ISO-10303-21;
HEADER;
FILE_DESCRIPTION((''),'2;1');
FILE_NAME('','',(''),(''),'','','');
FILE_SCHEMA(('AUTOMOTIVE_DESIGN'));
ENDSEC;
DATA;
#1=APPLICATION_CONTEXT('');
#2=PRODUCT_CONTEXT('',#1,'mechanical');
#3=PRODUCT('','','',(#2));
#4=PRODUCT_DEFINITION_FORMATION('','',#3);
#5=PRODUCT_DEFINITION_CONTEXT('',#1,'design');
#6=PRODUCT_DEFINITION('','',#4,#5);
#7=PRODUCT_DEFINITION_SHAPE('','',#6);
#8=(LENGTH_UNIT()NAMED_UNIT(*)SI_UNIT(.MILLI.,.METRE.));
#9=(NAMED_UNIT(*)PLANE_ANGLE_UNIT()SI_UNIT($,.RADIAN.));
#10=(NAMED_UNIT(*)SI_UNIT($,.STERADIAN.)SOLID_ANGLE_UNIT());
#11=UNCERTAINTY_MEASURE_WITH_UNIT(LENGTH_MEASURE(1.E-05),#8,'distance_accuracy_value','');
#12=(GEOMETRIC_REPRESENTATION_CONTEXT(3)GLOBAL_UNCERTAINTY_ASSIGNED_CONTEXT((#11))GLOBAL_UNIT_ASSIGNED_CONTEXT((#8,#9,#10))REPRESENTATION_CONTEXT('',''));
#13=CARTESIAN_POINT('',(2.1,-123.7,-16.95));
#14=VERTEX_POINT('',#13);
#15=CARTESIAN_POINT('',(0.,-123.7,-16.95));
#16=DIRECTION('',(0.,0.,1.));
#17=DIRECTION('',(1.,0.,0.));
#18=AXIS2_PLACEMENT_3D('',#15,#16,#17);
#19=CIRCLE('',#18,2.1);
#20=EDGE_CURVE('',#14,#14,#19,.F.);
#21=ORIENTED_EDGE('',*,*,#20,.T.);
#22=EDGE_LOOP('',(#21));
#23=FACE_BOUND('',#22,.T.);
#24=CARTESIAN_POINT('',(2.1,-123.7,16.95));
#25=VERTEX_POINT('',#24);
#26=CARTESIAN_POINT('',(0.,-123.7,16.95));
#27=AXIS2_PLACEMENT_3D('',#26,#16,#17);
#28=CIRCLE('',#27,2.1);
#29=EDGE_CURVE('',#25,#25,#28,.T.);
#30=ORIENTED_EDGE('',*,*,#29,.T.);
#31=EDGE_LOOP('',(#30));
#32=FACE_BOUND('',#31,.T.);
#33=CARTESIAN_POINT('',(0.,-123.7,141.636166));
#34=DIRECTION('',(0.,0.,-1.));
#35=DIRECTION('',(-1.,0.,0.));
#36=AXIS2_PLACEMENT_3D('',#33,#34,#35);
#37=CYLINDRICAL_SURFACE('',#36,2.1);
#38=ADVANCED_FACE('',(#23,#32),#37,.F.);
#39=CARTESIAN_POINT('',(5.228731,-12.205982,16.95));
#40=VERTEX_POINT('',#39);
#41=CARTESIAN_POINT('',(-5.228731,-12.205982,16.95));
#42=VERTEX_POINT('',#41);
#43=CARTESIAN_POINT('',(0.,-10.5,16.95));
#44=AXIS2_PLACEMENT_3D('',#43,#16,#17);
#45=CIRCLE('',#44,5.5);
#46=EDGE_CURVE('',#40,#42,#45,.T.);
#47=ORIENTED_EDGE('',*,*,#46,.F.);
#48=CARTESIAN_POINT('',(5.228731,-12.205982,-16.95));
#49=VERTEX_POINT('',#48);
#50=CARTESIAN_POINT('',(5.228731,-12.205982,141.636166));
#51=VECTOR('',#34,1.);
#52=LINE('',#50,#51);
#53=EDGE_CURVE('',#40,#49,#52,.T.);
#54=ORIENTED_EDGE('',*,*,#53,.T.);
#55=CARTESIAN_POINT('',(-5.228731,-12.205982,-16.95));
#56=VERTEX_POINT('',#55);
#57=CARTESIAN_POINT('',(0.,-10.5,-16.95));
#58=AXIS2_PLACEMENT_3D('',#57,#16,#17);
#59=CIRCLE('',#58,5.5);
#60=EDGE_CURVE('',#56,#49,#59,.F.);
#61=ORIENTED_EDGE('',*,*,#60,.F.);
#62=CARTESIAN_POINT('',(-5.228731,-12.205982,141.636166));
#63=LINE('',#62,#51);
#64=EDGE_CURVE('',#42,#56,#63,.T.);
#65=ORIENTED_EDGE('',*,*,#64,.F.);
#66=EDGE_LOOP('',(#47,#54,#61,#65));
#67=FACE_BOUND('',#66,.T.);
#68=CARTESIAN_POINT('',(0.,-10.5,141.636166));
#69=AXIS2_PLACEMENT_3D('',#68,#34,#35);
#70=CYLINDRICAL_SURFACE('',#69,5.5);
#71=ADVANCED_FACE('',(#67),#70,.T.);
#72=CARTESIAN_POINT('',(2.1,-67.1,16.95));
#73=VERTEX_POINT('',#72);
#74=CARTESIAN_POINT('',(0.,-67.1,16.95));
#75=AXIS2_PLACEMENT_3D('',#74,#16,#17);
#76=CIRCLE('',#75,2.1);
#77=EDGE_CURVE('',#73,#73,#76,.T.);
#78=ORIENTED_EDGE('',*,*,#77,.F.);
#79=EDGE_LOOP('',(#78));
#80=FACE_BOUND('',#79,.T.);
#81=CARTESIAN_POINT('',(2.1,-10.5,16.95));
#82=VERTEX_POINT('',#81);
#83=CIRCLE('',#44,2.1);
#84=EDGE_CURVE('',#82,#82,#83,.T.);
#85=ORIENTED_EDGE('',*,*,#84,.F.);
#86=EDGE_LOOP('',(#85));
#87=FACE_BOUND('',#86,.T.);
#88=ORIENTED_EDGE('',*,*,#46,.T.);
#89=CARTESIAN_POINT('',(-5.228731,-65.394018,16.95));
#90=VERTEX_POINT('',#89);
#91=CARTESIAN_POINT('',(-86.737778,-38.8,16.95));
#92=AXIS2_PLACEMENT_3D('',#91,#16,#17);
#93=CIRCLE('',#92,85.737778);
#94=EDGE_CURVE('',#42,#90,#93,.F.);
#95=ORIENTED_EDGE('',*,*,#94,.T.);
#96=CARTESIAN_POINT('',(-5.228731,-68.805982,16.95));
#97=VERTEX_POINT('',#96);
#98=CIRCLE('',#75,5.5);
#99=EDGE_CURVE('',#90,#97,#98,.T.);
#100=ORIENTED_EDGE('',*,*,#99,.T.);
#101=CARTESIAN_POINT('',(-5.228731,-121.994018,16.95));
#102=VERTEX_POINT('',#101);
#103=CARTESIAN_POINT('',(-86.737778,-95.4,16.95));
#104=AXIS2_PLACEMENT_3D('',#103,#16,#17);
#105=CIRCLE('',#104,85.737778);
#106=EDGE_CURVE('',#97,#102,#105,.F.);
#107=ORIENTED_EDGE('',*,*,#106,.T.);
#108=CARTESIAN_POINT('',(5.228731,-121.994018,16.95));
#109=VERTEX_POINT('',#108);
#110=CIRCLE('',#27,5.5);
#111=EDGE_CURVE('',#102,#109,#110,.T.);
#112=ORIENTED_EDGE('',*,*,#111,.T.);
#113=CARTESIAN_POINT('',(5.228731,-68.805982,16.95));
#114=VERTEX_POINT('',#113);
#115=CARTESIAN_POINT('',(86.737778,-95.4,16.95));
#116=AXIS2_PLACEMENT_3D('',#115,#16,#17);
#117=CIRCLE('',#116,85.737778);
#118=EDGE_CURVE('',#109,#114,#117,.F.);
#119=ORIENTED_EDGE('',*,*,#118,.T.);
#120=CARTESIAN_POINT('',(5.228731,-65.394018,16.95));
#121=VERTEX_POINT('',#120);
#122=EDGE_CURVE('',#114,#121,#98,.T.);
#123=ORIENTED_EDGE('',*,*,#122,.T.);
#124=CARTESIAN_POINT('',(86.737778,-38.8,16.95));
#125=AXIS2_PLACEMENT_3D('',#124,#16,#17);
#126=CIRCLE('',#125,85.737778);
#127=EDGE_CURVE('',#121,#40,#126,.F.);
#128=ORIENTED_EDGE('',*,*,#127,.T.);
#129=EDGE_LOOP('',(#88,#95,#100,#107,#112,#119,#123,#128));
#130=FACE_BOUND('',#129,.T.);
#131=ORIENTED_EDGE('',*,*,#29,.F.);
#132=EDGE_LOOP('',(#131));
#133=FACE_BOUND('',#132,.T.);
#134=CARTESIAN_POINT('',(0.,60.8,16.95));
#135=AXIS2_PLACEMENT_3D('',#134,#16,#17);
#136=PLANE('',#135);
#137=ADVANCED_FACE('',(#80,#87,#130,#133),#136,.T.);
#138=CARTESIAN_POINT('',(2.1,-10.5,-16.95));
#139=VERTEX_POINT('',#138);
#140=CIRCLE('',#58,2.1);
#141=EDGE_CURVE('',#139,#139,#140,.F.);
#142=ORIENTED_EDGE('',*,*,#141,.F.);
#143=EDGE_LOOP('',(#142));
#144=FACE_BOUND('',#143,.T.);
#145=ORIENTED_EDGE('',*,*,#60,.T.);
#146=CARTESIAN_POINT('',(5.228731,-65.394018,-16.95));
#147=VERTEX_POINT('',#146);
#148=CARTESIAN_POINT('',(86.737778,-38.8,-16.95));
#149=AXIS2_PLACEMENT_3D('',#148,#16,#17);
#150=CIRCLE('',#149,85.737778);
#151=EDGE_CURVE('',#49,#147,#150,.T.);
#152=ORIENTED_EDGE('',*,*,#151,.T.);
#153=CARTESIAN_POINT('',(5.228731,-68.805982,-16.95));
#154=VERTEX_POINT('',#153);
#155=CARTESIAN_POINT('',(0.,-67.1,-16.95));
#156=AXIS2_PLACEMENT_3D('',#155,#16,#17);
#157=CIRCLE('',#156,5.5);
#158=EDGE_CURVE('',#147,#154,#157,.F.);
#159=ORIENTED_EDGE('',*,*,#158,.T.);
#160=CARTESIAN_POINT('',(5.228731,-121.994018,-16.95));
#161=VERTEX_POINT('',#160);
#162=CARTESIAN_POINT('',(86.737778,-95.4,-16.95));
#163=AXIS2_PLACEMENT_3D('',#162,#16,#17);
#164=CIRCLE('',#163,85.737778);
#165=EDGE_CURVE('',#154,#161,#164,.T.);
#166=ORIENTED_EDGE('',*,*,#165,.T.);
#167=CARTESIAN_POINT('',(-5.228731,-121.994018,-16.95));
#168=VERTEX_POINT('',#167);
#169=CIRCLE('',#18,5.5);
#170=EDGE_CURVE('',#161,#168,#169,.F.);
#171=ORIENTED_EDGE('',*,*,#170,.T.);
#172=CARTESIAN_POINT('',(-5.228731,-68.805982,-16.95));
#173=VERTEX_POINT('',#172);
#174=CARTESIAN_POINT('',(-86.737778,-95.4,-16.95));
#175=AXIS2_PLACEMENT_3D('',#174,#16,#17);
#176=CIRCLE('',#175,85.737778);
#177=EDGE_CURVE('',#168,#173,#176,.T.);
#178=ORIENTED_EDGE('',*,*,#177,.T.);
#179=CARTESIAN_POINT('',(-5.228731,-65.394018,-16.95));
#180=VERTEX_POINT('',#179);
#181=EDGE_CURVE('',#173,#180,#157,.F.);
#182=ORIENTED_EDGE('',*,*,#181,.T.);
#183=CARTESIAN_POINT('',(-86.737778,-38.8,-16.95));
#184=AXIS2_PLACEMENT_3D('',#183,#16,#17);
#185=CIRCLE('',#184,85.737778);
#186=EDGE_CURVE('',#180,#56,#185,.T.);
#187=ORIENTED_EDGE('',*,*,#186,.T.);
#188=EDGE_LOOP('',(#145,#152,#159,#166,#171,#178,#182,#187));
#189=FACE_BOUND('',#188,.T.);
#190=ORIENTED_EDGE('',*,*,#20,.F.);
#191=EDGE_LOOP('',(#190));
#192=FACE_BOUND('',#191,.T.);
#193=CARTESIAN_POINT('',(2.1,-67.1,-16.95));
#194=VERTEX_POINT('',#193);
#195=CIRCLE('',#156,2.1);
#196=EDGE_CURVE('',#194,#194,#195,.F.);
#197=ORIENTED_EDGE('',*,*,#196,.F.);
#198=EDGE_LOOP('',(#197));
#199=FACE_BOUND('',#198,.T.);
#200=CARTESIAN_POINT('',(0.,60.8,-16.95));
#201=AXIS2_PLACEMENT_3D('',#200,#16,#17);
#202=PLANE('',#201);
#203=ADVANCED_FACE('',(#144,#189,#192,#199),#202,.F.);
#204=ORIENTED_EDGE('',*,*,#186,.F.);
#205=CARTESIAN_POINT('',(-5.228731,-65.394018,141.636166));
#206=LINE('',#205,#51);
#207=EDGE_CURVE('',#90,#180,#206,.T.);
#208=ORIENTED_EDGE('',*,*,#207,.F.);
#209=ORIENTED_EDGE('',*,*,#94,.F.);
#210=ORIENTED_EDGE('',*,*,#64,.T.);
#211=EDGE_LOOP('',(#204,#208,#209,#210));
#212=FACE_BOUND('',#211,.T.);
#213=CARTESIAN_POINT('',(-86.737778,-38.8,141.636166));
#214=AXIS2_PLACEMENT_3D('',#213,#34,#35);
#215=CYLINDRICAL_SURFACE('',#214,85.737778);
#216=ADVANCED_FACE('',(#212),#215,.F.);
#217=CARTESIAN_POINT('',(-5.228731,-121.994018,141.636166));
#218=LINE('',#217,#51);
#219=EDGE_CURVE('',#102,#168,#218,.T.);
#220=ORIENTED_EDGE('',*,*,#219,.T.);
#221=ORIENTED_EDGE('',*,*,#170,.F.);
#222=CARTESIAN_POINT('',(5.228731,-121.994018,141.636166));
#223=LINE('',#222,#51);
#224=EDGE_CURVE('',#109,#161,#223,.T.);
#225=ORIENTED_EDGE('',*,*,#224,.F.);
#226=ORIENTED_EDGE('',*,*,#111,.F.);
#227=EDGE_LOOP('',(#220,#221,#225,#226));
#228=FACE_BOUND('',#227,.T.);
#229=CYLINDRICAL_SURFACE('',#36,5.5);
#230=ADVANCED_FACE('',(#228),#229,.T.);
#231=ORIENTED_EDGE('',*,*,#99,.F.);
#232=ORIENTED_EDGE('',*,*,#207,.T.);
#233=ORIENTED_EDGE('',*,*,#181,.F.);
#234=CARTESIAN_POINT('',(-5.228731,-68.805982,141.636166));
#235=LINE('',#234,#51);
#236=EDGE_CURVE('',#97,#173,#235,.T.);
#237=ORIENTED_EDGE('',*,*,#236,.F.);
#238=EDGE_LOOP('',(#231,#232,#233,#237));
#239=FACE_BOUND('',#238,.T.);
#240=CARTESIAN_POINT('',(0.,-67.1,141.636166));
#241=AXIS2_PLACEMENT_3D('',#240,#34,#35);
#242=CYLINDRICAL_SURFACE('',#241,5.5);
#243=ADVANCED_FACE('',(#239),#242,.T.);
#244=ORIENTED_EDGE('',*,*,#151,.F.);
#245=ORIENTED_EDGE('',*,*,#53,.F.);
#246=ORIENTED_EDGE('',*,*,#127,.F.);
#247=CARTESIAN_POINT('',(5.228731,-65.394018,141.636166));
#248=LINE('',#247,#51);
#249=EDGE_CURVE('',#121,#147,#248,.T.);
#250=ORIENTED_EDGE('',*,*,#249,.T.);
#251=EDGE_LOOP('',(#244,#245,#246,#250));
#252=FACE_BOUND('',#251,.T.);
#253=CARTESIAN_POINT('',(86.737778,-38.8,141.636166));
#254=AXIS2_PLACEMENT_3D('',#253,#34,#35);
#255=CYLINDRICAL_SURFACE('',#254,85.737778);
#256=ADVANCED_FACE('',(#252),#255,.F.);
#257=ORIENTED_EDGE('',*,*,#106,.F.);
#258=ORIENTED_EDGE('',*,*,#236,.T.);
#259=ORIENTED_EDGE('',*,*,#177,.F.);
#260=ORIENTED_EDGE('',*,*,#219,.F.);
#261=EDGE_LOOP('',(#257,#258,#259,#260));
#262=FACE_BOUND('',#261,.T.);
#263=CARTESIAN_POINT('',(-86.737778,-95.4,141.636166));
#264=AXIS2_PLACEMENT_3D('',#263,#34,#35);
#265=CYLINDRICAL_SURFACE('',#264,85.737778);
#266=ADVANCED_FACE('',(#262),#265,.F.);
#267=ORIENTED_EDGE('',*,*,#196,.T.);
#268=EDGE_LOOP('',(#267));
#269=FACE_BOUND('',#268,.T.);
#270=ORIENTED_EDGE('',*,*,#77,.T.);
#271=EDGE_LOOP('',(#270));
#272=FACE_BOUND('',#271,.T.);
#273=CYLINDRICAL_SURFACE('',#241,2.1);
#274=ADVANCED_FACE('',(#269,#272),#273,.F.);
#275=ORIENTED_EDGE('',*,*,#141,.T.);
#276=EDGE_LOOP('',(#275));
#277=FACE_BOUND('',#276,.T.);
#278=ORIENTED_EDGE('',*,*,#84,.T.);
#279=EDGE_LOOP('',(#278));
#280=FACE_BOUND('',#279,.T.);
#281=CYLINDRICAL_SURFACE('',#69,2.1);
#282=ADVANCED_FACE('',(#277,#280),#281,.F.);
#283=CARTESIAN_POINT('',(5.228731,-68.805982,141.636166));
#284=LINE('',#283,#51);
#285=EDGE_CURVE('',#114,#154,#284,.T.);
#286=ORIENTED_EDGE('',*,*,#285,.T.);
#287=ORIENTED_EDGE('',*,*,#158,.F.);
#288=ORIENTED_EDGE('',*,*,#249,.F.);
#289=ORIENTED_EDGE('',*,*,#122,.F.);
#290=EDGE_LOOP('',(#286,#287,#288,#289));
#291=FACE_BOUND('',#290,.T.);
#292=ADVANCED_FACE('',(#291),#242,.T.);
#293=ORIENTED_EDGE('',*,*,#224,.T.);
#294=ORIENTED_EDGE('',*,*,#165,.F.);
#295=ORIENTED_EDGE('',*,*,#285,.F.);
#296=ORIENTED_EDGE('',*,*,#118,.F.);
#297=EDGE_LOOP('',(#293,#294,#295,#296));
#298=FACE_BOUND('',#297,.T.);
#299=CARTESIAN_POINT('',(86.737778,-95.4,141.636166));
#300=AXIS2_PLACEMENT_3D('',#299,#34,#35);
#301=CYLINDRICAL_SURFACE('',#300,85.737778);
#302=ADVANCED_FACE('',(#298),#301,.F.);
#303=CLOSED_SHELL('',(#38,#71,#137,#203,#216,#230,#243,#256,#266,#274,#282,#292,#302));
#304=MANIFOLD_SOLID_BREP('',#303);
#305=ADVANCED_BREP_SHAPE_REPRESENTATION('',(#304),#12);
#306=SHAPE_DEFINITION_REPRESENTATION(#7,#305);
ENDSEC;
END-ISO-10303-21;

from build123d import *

# Parameters (mm, degrees)
BOSS_EXTRUDE1_DEPTH      = 16.95
BOSS_EXTRUDE1_DEPTH_BACK = 16.95
SKETCH4_R                = 2.1


with BuildPart() as part:
    # Sketch4 → Boss-Extrude1 (new, two sides: drawn at the far end of the back side and taken through both)
    with BuildSketch(Plane.XY.offset(-BOSS_EXTRUDE1_DEPTH_BACK)):
        with BuildLine():
            ThreePointArc((-5.228730789, -121.994018072), (0, -129.2), (5.228730789, -121.994018072))
            ThreePointArc((5.228730789, -121.994018072), (1, -95.4), (5.228730789, -68.805981928))
            ThreePointArc((5.228730789, -68.805981928), (5.5, -67.1), (5.228730789, -65.394018072))
            ThreePointArc((5.228730789, -65.394018072), (1, -38.8), (5.228730789, -12.205981928))
            ThreePointArc((5.228730789, -12.205981928), (0, -5), (-5.228730789, -12.205981928))
            ThreePointArc((-5.228730789, -12.205981928), (-1, -38.8), (-5.228730789, -65.394018072))
            ThreePointArc((-5.228730789, -65.394018072), (-5.5, -67.1), (-5.228730789, -68.805981928))
            ThreePointArc((-5.228730789, -68.805981928), (-1, -95.4), (-5.228730789, -121.994018072))
        make_face()
        with Locations((0, -123.7)):
            Circle(SKETCH4_R, mode=Mode.SUBTRACT)
        with Locations((0, -10.5)):
            Circle(SKETCH4_R, mode=Mode.SUBTRACT)
        with Locations((0, -67.1)):
            Circle(SKETCH4_R, mode=Mode.SUBTRACT)
    extrude(amount=BOSS_EXTRUDE1_DEPTH + BOSS_EXTRUDE1_DEPTH_BACK)


solid = part.part
